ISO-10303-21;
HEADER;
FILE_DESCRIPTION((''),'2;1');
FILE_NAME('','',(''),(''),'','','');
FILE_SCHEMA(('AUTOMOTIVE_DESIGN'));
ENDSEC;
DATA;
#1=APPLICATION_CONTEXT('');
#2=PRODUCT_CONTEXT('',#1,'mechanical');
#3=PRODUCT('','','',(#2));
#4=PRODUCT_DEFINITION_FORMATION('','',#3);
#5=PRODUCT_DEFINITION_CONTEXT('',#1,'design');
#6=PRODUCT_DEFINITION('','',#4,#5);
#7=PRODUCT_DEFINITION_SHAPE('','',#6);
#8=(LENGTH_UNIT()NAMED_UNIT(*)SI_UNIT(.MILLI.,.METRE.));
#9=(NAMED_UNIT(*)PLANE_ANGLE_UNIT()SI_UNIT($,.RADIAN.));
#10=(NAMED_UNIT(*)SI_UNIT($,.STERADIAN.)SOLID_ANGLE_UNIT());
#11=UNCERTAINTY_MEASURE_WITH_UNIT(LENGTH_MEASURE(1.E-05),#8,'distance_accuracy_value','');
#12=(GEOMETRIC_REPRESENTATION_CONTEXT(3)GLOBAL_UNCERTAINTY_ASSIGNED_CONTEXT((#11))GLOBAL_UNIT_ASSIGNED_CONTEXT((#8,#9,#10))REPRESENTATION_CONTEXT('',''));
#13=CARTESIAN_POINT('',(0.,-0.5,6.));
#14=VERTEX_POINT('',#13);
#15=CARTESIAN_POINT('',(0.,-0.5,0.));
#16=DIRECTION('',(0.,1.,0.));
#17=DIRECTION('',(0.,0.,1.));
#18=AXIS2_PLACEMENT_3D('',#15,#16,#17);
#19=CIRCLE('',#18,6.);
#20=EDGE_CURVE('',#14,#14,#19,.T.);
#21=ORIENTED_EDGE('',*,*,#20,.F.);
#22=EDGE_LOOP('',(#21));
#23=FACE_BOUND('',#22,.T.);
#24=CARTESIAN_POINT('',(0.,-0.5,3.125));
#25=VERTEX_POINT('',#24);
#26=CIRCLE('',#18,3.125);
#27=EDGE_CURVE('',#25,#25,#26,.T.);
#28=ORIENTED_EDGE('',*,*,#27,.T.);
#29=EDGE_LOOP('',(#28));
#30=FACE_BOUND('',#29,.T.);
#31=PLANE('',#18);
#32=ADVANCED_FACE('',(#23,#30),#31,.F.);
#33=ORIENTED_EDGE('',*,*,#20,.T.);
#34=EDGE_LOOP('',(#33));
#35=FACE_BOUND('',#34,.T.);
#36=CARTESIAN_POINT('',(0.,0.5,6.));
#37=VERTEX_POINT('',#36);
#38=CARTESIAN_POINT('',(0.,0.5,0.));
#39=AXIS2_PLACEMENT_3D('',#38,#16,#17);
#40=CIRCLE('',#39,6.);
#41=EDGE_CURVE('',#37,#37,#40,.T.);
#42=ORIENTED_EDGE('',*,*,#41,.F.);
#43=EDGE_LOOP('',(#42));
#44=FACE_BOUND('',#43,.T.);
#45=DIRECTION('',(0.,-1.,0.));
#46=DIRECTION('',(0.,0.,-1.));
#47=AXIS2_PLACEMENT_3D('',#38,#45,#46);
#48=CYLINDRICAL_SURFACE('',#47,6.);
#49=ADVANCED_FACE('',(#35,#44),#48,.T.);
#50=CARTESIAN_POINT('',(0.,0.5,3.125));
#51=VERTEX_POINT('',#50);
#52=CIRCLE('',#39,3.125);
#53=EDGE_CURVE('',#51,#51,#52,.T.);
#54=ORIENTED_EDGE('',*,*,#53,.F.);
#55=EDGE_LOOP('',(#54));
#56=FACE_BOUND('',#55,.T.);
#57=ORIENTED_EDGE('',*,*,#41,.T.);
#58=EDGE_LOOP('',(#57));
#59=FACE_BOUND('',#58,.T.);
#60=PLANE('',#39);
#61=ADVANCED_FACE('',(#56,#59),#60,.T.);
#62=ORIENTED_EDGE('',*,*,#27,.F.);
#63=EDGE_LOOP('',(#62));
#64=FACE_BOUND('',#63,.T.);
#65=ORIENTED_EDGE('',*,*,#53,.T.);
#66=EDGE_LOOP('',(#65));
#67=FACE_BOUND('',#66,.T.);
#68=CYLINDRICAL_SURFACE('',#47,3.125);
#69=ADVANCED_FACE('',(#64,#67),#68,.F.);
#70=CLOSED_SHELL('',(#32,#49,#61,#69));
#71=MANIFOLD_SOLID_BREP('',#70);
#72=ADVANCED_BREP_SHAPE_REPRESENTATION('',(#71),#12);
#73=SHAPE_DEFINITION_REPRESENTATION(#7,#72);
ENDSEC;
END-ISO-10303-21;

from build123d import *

# Parameters (mm, degrees)
SKETCH1_R           = 6
SKETCH1_R_2         = 3.125
BOSS_EXTRUDE1_DEPTH = 0.5


with BuildPart() as part:
    # Sketch1 → Boss-Extrude1 (new body, symmetric)
    with BuildSketch(Plane(origin=(0, 0, 0), x_dir=(1, 0, 0), z_dir=(0, 1, 0))):
        Circle(SKETCH1_R)
        Circle(SKETCH1_R_2, mode=Mode.SUBTRACT)
    extrude(amount=BOSS_EXTRUDE1_DEPTH, both=True)


solid = part.part
